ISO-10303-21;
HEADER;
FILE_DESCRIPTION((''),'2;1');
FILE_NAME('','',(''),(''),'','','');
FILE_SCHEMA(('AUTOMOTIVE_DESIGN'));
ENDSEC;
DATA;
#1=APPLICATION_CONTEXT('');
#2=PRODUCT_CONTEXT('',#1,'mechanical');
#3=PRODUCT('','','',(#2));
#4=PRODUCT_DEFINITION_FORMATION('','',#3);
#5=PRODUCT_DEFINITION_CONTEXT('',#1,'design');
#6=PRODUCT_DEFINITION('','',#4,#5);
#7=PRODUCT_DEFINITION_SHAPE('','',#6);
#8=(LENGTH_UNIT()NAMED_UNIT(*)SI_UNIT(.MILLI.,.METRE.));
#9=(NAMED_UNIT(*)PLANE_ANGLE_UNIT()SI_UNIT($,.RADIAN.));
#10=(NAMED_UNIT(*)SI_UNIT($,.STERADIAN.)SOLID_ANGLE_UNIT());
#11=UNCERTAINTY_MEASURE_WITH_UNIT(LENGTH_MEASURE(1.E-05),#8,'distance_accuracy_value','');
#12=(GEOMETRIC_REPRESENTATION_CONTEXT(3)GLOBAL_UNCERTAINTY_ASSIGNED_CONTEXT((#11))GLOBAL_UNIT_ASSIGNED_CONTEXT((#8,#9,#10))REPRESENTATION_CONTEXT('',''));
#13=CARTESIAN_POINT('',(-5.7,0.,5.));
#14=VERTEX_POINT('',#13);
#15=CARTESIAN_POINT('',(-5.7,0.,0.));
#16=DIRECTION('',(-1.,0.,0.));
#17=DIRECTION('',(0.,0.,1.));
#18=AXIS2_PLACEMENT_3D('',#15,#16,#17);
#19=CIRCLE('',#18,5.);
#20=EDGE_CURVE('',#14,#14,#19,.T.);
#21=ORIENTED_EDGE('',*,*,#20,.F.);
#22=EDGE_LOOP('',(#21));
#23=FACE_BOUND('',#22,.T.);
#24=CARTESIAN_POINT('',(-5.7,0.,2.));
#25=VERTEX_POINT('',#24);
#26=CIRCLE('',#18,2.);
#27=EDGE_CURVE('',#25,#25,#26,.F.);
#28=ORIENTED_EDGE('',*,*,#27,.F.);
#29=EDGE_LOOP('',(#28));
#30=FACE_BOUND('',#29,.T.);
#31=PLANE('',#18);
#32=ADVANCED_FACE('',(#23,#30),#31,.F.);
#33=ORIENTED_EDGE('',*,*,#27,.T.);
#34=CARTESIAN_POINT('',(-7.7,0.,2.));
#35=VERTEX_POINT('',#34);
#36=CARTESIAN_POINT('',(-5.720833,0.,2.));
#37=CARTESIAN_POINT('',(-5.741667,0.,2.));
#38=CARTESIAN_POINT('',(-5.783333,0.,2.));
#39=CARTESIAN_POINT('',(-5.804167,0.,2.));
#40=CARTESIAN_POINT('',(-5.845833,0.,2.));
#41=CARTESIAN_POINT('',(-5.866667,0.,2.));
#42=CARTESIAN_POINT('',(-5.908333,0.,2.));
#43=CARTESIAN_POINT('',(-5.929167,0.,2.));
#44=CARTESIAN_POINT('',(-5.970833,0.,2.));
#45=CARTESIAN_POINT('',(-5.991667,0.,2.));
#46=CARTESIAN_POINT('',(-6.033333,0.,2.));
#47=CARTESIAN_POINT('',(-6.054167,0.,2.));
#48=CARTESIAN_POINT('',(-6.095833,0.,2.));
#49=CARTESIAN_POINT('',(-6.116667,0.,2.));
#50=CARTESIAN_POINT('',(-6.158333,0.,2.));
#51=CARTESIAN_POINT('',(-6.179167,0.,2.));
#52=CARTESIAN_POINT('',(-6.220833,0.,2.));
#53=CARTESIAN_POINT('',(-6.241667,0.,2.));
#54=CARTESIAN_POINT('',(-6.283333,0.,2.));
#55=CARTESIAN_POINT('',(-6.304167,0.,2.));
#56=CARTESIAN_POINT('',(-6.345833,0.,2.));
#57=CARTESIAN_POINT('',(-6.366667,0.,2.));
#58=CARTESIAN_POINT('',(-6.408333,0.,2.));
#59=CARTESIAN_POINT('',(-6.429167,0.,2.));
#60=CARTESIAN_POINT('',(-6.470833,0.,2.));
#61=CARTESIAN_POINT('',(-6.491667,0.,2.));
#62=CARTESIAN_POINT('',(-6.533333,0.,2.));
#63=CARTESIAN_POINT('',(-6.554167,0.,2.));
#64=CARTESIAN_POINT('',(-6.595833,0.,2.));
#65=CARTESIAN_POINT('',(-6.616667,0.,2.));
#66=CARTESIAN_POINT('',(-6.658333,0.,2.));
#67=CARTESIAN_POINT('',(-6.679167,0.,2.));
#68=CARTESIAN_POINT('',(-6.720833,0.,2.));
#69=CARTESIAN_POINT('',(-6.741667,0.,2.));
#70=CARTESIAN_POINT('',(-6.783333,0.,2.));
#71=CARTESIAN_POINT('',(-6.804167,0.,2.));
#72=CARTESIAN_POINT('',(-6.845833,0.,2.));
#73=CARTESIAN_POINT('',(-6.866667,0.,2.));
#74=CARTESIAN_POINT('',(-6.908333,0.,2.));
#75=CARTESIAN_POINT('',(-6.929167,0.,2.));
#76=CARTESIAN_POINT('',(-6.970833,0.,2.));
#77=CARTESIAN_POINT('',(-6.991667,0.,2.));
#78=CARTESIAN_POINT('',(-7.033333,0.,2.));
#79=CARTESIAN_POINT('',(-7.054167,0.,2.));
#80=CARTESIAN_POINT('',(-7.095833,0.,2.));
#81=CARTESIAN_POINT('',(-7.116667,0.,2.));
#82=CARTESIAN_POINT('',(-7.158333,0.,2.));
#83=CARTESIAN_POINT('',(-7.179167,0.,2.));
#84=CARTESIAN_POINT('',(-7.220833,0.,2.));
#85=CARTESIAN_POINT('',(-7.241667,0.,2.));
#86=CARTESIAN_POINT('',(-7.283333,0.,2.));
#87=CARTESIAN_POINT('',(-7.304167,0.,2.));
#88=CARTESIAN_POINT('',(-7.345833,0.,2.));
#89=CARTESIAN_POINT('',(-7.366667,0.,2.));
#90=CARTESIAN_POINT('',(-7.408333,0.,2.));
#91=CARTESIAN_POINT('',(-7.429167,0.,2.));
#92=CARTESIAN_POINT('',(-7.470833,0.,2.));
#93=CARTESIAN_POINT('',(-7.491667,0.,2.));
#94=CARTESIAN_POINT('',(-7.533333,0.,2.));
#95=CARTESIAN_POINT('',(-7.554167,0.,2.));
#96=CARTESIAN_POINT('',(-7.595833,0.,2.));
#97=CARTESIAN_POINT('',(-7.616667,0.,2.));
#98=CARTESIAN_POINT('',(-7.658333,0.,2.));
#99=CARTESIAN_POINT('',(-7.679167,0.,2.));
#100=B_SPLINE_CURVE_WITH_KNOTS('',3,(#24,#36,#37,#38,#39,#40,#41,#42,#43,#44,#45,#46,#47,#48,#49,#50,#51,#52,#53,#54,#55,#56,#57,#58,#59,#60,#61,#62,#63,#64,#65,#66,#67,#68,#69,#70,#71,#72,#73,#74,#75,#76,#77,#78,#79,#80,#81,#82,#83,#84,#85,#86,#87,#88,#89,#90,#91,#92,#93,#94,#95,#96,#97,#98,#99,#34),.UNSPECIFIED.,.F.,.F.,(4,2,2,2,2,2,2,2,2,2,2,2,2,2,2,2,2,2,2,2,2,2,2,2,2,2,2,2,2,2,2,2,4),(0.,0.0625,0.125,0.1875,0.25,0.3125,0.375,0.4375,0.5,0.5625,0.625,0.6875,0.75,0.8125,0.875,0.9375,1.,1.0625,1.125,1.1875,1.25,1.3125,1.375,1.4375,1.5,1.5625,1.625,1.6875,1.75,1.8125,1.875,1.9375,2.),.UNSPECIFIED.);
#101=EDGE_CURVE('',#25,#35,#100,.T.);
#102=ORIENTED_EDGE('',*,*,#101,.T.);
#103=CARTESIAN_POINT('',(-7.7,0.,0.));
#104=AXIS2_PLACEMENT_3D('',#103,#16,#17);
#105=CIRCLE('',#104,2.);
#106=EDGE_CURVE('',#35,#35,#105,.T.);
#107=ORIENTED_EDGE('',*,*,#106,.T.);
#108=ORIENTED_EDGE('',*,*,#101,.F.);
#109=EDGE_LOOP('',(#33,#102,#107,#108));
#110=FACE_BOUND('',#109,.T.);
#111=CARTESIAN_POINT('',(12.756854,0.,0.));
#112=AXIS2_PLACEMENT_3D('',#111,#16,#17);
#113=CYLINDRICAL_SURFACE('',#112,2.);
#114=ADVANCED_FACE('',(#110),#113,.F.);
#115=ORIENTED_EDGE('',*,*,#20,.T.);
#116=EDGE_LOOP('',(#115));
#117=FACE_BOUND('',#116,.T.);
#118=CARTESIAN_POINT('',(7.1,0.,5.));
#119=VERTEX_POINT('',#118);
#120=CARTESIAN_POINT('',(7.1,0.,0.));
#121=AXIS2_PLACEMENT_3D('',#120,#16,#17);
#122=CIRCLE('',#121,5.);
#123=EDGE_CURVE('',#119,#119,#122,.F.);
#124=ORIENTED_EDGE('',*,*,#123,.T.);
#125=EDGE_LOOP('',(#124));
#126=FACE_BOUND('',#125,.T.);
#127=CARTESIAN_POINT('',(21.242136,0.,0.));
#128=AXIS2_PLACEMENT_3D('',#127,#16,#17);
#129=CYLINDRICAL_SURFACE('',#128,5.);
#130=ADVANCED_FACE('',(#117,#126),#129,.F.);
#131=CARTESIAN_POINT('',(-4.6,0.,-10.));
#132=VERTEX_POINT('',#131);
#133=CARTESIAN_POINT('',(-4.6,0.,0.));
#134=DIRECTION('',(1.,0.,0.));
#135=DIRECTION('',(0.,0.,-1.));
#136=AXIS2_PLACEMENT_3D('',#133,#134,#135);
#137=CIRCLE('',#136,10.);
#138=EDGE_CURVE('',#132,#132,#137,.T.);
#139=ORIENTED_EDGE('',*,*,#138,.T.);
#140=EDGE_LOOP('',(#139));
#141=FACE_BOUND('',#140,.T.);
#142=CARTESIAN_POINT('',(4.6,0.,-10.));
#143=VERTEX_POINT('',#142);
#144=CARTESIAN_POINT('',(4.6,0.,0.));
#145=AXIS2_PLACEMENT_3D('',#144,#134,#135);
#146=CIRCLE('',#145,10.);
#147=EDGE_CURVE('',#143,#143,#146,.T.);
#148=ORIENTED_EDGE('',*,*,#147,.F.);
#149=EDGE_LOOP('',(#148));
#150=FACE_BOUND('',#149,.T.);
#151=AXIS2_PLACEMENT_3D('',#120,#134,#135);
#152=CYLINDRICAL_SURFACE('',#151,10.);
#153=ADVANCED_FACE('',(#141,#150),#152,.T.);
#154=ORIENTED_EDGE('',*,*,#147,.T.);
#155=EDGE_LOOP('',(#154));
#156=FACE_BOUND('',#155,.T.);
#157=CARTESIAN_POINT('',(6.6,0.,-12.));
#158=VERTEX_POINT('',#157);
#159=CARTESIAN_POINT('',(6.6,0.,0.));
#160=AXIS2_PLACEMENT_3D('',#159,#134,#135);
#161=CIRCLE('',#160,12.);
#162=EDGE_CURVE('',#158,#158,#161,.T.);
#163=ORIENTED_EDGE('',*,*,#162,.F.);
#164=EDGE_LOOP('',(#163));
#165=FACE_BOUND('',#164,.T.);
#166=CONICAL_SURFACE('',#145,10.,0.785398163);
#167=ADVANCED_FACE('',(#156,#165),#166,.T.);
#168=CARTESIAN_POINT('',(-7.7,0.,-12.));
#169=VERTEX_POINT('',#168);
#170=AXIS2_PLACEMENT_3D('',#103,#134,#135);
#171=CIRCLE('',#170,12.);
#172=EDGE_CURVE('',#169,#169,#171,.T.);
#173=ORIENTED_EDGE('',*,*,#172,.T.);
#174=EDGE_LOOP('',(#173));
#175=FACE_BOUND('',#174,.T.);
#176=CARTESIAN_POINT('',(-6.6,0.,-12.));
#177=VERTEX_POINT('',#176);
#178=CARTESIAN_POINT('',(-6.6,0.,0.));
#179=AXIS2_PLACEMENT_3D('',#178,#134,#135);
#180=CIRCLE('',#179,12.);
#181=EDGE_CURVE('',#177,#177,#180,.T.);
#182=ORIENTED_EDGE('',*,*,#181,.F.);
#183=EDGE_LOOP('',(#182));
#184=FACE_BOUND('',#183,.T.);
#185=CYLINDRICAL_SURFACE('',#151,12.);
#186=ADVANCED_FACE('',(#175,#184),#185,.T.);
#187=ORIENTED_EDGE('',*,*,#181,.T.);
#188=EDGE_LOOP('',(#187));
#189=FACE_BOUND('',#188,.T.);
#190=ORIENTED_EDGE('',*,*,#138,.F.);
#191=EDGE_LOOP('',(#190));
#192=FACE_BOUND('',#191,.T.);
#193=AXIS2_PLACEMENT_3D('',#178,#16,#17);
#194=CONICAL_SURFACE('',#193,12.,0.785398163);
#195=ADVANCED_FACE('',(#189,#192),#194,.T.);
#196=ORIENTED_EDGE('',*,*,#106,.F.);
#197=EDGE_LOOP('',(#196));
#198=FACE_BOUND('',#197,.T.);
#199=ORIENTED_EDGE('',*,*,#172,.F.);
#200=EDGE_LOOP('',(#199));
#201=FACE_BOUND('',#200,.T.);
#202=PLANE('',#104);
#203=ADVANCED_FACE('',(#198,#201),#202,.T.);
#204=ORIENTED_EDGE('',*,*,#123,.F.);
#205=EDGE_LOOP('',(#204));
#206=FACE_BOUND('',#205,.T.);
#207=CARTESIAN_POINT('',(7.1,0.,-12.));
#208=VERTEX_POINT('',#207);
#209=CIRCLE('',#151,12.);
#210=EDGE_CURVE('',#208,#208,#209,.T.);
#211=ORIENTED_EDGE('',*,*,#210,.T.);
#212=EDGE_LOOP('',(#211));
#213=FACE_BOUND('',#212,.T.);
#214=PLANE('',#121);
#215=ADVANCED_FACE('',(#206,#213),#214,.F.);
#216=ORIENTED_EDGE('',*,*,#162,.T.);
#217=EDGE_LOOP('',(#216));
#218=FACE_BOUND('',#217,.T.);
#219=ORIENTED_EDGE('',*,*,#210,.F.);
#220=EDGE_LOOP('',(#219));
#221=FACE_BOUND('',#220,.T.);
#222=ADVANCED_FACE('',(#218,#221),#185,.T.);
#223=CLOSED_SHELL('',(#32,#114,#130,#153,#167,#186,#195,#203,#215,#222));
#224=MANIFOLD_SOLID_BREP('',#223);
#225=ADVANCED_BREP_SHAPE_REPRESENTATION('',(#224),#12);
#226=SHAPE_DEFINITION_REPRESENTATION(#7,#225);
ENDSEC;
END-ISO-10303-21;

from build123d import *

# Parameters (mm, degrees)
SKETCH3_R          = 2
CUT_EXTRUDE1_DEPTH = 14.8
CUT_EXTRUDE2_START = -2
SKETCH4_R          = 5
CUT_EXTRUDE2_DEPTH = 12.8


with BuildPart() as part:
    # Sketch2 → Revolve1 (revolve)
    with BuildSketch(Plane(origin=(0, 0, 0), x_dir=(1, 0, 0), z_dir=(0, 1, 0))):
        Polygon((-7.7, 12), (-7.7, 0), (-7.1, 0), (7.1, 0), (7.1, 12), (6.6, 12), (4.6, 10), (-4.6, 10), (-6.6, 12), (-7.1, 12), align=None)
    revolve(axis=Axis((7.1, 0, 0), (-1, 0, 0)))

    # Sketch3 → Cut-Extrude1 (cut)
    with BuildSketch(Plane.ZY.offset(7.7)):
        Circle(SKETCH3_R)
    extrude(amount=-CUT_EXTRUDE1_DEPTH, mode=Mode.SUBTRACT)

    # Sketch4 → Cut-Extrude2 (cut)
    with BuildSketch(Plane.ZY.offset(7.7).offset(CUT_EXTRUDE2_START)):
        Circle(SKETCH4_R)
    extrude(amount=-CUT_EXTRUDE2_DEPTH, mode=Mode.SUBTRACT)


solid = part.part
